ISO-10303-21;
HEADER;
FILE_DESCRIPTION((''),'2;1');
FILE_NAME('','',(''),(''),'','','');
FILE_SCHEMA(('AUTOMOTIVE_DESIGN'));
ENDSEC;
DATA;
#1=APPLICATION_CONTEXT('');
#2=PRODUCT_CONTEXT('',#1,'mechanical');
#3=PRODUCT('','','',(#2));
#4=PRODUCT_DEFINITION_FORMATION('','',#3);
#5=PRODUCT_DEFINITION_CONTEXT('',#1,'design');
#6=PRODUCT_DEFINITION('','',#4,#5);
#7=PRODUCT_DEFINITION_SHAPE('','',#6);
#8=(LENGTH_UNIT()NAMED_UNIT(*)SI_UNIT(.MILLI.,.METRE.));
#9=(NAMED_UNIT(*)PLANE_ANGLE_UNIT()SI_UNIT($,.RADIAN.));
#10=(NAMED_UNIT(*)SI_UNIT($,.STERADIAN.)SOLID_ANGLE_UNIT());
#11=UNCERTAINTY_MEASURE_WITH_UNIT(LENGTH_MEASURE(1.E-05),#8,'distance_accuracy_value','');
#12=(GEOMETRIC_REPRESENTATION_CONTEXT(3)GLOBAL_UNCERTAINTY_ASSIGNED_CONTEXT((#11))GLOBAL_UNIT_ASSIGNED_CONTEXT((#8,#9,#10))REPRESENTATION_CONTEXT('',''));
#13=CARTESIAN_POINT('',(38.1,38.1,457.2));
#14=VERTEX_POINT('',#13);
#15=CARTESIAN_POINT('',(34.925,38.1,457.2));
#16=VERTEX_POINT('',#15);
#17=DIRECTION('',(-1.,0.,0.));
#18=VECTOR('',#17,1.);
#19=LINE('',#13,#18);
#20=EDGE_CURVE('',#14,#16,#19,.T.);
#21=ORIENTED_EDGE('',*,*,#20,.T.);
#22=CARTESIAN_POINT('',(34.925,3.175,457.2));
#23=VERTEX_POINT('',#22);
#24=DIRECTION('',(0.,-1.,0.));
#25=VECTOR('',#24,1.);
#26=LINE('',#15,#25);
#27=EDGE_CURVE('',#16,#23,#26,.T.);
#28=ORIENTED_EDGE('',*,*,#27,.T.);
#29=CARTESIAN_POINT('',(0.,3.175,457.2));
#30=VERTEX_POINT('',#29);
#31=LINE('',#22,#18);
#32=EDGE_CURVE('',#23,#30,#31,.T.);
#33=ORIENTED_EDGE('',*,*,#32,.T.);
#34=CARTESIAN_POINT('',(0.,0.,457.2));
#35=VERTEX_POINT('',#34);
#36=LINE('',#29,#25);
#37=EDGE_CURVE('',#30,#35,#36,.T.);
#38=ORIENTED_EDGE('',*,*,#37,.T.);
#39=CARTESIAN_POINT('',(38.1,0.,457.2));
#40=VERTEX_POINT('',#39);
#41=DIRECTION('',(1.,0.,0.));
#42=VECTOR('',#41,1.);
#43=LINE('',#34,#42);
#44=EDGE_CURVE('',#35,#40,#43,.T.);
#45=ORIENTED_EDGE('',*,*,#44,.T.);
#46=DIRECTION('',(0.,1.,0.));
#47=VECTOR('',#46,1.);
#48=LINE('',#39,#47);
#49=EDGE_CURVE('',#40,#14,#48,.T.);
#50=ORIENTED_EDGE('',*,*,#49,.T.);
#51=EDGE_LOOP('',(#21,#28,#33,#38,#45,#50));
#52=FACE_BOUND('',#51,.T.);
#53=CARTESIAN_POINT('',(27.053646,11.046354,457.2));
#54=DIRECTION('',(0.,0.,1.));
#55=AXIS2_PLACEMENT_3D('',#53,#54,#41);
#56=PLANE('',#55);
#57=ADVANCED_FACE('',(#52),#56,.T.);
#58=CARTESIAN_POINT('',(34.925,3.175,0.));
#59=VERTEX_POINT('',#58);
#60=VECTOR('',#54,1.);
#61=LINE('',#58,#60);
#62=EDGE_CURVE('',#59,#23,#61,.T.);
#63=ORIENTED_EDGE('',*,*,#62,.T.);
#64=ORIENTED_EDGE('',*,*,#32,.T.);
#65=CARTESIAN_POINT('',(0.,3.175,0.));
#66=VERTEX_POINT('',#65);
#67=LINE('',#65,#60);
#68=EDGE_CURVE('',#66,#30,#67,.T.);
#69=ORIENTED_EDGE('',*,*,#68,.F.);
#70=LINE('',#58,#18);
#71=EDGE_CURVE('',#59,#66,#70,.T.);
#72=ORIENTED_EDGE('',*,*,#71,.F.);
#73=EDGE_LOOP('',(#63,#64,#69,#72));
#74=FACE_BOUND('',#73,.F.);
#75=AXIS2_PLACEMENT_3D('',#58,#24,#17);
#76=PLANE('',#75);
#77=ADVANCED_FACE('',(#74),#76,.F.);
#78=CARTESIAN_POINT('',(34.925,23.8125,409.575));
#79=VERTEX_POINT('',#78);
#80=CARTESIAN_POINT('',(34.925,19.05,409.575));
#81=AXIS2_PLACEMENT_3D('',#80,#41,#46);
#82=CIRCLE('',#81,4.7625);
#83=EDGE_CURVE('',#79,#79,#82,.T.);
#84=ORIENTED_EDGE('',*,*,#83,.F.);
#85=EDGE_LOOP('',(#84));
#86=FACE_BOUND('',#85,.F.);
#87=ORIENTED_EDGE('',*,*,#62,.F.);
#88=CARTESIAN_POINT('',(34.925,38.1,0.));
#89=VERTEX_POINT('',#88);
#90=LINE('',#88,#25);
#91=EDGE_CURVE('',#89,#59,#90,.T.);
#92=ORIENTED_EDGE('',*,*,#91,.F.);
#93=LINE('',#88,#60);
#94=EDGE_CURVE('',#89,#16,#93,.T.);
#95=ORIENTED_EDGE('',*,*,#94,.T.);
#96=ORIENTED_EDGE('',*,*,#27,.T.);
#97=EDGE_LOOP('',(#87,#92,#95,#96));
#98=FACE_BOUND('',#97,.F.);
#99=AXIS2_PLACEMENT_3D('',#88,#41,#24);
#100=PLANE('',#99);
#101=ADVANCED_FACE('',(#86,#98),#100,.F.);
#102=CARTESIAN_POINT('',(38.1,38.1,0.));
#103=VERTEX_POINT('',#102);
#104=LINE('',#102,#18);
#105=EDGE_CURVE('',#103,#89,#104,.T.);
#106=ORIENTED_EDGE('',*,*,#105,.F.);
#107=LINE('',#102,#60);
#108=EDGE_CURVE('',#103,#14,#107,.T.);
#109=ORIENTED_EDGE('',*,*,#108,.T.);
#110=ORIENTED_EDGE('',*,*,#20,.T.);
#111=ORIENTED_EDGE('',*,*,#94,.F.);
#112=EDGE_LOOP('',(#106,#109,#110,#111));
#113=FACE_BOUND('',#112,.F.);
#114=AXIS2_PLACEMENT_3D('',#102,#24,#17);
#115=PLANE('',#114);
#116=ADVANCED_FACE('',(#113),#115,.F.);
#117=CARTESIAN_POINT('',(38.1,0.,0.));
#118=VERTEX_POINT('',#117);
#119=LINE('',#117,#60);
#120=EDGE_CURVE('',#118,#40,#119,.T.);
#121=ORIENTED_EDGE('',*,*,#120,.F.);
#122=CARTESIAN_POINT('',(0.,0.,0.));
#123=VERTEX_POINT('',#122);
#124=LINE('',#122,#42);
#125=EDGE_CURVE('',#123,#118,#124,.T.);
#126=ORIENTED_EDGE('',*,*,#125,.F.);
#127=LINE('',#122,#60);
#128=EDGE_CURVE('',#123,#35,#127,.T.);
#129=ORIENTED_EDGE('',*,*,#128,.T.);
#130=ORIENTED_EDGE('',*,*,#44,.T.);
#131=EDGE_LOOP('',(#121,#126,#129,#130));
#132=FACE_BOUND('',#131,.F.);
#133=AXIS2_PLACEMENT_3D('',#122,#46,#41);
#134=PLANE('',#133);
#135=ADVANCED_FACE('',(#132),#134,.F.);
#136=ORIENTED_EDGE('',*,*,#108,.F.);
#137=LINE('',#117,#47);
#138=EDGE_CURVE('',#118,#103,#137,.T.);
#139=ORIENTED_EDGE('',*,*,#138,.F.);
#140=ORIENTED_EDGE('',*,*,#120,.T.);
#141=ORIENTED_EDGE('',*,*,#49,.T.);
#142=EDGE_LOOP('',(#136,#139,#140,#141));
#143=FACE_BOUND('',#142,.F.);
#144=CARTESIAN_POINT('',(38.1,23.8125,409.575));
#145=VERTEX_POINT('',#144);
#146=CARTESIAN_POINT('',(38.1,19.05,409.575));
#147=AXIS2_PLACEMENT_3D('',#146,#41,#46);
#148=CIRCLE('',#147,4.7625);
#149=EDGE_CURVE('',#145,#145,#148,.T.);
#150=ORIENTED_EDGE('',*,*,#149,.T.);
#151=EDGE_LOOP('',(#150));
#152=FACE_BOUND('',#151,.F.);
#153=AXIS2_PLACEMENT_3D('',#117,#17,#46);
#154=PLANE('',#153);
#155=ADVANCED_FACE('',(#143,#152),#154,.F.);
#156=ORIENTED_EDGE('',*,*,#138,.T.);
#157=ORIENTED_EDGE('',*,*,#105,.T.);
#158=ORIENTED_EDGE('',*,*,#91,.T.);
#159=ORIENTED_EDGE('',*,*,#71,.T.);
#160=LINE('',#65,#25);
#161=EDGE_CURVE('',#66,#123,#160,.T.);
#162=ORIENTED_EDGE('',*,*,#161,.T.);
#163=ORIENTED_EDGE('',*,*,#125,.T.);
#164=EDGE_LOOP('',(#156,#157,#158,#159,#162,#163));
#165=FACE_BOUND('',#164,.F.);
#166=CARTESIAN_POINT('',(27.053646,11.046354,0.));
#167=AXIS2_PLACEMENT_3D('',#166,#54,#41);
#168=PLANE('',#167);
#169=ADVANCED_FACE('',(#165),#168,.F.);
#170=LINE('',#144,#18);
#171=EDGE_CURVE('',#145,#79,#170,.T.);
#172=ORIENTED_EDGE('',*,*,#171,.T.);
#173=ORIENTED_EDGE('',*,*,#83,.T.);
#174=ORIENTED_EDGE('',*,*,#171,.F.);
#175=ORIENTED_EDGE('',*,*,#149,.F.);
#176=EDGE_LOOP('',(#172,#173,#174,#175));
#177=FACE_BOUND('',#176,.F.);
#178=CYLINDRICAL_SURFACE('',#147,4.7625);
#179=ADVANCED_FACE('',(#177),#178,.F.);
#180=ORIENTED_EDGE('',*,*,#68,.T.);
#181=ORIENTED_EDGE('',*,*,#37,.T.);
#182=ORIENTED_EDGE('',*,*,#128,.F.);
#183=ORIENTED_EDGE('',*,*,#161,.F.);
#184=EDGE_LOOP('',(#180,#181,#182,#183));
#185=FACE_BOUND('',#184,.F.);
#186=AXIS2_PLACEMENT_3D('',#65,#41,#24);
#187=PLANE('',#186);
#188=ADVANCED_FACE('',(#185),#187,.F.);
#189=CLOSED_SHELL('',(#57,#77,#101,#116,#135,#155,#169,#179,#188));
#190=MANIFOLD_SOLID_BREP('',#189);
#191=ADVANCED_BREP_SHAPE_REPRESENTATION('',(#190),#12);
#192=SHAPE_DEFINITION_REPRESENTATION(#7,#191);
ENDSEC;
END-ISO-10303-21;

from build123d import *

# Parameters (mm, degrees)
F1_DEPTH = 457.2
F2_R     = 4.7625
F3_DEPTH = 38.101


with BuildPart() as f1:
    # F0 (on Top) → F1 (new body)
    with BuildSketch(Plane.XY):
        Polygon((0, 3.175), (0, 0), (38.1, 0), (38.1, 38.1), (34.925, 38.1), (34.925, 3.175), align=None)
    extrude(amount=F1_DEPTH)

    # F2 (on face) → F3 (cut, through all)
    with BuildSketch(Plane.YZ.offset(38.1)):
        with Locations((19.05, 409.575)):
            Circle(F2_R)
    extrude(amount=-F3_DEPTH, mode=Mode.SUBTRACT)


solid = f1.part
